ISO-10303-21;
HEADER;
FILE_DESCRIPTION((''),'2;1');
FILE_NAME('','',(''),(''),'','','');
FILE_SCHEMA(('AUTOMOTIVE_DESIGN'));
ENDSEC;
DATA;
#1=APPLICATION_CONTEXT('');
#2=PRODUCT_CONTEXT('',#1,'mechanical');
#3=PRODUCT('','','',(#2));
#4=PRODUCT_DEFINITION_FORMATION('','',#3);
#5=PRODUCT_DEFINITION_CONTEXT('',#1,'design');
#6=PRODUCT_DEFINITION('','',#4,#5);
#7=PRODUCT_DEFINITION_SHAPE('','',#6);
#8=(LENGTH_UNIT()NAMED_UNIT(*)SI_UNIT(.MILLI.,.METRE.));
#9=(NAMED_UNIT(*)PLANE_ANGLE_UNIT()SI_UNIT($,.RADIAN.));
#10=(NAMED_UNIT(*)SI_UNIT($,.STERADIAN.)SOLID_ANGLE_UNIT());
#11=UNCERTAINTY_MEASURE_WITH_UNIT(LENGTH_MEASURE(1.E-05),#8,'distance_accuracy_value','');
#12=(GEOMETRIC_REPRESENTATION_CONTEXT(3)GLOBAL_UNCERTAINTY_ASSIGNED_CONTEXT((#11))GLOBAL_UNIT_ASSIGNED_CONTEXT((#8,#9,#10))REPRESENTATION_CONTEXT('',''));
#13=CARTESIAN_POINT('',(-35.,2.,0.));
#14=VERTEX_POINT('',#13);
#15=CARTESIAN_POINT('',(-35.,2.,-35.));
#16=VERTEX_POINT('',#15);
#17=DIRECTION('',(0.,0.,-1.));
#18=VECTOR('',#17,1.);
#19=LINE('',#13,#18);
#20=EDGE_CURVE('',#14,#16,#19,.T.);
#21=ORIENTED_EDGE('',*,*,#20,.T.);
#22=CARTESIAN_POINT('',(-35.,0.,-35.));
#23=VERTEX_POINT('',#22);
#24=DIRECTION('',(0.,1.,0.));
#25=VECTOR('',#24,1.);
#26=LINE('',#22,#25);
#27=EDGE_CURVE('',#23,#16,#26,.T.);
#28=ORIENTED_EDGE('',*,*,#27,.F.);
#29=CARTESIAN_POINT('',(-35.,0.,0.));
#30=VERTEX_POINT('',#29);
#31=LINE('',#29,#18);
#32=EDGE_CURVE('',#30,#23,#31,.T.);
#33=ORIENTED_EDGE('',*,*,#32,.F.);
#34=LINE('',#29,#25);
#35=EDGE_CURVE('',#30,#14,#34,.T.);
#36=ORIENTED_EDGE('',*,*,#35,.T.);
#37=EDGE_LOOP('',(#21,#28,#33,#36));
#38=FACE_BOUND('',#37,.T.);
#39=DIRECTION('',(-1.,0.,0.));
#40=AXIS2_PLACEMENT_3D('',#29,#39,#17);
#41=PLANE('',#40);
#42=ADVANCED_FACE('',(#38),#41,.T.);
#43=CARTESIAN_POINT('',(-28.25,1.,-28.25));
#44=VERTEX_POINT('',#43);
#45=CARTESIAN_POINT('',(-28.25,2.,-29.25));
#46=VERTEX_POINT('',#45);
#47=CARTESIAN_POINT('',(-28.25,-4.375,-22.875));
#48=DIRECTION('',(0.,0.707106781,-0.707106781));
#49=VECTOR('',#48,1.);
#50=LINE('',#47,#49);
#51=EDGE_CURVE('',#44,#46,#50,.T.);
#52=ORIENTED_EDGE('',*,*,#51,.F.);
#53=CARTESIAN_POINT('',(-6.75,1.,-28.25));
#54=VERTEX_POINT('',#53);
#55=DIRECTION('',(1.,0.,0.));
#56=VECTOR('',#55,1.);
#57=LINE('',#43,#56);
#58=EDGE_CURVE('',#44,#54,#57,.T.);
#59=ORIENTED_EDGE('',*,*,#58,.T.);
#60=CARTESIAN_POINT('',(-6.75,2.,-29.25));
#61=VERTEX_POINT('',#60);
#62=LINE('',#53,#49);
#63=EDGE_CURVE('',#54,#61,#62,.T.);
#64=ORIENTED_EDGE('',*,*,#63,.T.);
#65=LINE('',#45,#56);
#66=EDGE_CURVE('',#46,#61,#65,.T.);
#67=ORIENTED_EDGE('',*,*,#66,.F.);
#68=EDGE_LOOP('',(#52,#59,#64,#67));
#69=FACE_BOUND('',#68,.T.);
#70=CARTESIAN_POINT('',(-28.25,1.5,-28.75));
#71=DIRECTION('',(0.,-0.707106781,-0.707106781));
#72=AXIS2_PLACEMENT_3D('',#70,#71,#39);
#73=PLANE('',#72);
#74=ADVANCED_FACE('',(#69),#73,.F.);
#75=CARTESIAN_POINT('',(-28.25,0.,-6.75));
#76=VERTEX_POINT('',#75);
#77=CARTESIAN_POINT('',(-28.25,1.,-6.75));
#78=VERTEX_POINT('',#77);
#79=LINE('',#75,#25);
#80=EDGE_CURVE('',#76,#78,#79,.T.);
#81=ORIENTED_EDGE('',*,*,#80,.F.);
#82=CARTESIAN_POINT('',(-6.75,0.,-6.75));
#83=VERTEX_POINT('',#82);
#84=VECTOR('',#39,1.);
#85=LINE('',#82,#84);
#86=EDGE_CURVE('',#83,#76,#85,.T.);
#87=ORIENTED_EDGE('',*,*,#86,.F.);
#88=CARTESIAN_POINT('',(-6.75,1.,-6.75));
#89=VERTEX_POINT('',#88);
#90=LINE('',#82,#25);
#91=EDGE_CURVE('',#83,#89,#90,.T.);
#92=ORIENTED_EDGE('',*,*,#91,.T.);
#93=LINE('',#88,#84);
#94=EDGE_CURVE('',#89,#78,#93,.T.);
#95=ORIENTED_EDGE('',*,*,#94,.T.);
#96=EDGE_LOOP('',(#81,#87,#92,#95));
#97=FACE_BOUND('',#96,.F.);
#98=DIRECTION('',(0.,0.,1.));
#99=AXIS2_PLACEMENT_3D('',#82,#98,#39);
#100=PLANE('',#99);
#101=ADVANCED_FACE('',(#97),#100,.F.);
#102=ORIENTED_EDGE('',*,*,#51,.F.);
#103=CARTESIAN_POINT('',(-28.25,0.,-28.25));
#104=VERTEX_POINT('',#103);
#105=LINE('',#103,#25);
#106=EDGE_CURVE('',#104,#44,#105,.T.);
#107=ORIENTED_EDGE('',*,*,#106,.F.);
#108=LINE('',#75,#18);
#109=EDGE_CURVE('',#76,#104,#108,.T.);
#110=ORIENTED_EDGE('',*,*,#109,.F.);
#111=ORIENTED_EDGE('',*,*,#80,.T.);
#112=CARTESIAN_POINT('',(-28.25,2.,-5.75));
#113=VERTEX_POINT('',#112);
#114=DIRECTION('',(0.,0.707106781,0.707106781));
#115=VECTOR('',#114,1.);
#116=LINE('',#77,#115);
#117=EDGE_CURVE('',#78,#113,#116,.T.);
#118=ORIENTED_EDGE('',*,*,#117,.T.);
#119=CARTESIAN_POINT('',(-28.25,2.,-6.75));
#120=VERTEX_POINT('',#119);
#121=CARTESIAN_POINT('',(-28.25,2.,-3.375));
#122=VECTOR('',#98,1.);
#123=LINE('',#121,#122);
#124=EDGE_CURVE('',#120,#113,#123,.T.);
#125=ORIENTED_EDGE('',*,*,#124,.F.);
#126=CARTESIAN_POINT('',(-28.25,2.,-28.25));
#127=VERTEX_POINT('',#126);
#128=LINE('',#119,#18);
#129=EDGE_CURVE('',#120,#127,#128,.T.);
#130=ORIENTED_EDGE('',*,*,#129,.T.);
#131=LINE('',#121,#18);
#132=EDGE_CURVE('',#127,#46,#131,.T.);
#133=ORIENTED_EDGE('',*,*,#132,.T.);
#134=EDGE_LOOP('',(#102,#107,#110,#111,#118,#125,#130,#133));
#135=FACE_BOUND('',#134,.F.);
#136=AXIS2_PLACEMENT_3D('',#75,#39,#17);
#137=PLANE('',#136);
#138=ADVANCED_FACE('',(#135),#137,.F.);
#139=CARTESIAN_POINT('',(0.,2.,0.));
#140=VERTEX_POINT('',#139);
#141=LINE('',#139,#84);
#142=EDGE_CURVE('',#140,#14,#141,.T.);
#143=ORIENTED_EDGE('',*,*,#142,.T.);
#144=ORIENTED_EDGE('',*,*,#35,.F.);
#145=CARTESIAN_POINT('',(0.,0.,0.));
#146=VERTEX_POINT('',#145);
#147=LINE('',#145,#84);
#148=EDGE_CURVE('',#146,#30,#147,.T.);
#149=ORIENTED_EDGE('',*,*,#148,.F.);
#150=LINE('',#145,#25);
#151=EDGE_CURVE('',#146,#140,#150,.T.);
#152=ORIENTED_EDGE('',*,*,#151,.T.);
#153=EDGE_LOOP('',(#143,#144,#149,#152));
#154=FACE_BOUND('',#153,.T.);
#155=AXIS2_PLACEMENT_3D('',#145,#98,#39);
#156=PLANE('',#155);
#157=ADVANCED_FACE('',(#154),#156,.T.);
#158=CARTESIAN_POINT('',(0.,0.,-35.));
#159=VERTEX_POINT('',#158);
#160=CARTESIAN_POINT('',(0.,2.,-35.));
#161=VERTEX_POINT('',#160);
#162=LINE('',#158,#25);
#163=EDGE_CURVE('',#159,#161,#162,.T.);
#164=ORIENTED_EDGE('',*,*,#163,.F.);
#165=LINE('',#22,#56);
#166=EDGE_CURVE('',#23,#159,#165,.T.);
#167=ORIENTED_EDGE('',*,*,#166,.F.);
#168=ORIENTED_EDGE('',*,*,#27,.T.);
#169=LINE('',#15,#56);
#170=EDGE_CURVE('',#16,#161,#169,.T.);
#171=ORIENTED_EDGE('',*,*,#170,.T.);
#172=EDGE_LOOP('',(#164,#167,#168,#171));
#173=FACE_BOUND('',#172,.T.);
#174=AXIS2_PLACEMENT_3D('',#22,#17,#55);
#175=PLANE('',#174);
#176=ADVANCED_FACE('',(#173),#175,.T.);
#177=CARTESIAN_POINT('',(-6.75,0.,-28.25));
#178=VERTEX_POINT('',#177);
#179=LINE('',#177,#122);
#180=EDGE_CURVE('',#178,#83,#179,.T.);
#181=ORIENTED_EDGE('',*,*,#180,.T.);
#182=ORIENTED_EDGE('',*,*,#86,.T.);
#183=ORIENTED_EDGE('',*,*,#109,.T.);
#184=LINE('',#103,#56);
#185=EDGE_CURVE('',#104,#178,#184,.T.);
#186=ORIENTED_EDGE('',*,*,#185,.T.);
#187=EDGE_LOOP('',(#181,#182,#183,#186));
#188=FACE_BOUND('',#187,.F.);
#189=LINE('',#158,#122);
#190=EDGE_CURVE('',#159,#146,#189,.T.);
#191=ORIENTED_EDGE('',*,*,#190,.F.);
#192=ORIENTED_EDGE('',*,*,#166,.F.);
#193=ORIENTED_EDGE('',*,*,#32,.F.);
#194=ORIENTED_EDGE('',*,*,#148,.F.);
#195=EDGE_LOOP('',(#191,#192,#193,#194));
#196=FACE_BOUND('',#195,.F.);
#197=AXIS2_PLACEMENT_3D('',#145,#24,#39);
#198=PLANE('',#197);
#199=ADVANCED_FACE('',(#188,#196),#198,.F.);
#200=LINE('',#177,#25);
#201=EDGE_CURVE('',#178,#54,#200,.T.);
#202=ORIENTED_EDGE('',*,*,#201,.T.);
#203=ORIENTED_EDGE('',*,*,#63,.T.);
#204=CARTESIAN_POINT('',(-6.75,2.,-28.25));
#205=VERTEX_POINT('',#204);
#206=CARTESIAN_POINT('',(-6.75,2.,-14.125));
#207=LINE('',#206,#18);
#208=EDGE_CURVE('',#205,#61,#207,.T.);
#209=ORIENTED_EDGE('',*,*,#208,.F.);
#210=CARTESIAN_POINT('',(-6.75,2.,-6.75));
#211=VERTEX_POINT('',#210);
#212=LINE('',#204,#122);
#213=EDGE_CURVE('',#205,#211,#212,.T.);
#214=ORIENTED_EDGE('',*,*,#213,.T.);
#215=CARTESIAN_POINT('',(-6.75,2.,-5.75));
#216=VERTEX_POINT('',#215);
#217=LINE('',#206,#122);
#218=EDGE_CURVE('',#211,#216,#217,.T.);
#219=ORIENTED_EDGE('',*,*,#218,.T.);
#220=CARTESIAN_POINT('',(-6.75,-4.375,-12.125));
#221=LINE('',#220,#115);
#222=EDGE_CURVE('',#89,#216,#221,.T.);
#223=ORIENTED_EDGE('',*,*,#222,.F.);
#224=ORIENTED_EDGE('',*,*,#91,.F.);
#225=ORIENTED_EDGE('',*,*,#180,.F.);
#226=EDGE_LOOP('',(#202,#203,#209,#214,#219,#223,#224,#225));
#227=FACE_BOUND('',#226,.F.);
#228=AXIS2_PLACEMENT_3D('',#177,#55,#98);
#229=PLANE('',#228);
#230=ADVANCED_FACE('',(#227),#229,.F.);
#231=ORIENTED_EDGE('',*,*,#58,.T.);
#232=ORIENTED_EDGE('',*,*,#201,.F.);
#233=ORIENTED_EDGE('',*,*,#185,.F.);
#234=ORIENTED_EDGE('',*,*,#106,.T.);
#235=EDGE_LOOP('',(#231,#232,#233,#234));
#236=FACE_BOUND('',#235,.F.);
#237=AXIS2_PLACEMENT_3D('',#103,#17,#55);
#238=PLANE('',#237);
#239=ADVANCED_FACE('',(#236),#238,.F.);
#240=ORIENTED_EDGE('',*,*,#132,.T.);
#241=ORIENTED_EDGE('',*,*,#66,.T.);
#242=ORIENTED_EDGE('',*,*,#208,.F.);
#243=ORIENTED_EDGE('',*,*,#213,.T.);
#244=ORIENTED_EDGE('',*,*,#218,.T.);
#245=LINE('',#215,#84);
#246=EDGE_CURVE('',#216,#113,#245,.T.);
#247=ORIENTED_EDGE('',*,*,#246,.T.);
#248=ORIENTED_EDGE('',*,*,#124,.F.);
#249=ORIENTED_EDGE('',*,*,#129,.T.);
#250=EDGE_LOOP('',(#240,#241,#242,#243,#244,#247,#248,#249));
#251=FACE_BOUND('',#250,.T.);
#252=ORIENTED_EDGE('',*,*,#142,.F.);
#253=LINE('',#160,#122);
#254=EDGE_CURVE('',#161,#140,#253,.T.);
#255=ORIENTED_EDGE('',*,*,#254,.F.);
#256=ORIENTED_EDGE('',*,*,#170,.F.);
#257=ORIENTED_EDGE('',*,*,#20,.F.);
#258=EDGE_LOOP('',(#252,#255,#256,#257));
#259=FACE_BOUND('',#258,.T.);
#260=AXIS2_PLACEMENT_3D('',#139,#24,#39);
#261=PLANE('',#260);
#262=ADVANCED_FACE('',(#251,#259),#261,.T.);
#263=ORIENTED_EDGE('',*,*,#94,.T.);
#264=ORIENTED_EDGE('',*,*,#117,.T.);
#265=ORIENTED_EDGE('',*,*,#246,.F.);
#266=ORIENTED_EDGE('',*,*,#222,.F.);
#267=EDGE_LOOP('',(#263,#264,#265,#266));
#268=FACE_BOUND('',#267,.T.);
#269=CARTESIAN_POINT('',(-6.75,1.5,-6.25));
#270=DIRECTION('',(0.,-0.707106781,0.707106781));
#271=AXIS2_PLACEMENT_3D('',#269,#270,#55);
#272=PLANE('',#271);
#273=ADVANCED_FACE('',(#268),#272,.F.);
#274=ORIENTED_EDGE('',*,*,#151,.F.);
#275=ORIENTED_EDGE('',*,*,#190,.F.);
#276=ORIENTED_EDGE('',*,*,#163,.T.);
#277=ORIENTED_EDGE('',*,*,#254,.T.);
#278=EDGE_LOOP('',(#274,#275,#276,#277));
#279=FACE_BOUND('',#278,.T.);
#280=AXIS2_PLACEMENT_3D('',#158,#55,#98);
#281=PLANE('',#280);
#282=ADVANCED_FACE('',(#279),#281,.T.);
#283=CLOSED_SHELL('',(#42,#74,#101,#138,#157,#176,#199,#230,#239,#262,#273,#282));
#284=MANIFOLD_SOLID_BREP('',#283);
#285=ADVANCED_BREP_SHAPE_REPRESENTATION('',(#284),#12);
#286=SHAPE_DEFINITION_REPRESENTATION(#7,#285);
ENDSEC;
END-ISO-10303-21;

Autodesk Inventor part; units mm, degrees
ref_plane "YZ Plane" through (0, 0, 0) normal (1, 0, 0) x (0, 1, 0)
ref_plane "XZ Plane" through (0, 0, 0) normal (0, 1, 0) x (-1, 0, 0)
ref_plane "XY Plane" through (0, 0, 0) normal (0, 0, 1) x (1, 0, 0)
sketch "Sketch1" plane through (0, 0, 0) normal (0, 1, 0) x (-1, 0, 0)
  line L0 (0, 0) -> (35, 0)
  line L1 (35, 0) -> (35, -35)
  line L2 (35, -35) -> (0, -35)
  line L3 (0, -35) -> (0, 0)
  line L4 (6.75, -6.75) -> (28.25, -6.75)
  line L5 (28.25, -6.75) -> (28.25, -28.25)
  line L6 (28.25, -28.25) -> (6.75, -28.25)
  line L7 (6.75, -28.25) -> (6.75, -6.75)
  line L8 (6.75, -6.75) -> (28.25, -28.25) construction
  line L9 (28.25, -6.75) -> (6.75, -28.25) construction
  point P0 (17.5, -17.5)
  dimension "d0" = 35
  dimension "d1" = 35
  dimension "d2" = 21.5
  dimension "d3" = 21.5
extrude "Extrusion1" add sketch "Sketch1" along normal blind 2
chamfer "Chamfer1" distance 1 angle 45 2 edges at (-17.5, 2, -6.75) (-17.5, 2, -28.25)
properties part number "Plug_tester"
